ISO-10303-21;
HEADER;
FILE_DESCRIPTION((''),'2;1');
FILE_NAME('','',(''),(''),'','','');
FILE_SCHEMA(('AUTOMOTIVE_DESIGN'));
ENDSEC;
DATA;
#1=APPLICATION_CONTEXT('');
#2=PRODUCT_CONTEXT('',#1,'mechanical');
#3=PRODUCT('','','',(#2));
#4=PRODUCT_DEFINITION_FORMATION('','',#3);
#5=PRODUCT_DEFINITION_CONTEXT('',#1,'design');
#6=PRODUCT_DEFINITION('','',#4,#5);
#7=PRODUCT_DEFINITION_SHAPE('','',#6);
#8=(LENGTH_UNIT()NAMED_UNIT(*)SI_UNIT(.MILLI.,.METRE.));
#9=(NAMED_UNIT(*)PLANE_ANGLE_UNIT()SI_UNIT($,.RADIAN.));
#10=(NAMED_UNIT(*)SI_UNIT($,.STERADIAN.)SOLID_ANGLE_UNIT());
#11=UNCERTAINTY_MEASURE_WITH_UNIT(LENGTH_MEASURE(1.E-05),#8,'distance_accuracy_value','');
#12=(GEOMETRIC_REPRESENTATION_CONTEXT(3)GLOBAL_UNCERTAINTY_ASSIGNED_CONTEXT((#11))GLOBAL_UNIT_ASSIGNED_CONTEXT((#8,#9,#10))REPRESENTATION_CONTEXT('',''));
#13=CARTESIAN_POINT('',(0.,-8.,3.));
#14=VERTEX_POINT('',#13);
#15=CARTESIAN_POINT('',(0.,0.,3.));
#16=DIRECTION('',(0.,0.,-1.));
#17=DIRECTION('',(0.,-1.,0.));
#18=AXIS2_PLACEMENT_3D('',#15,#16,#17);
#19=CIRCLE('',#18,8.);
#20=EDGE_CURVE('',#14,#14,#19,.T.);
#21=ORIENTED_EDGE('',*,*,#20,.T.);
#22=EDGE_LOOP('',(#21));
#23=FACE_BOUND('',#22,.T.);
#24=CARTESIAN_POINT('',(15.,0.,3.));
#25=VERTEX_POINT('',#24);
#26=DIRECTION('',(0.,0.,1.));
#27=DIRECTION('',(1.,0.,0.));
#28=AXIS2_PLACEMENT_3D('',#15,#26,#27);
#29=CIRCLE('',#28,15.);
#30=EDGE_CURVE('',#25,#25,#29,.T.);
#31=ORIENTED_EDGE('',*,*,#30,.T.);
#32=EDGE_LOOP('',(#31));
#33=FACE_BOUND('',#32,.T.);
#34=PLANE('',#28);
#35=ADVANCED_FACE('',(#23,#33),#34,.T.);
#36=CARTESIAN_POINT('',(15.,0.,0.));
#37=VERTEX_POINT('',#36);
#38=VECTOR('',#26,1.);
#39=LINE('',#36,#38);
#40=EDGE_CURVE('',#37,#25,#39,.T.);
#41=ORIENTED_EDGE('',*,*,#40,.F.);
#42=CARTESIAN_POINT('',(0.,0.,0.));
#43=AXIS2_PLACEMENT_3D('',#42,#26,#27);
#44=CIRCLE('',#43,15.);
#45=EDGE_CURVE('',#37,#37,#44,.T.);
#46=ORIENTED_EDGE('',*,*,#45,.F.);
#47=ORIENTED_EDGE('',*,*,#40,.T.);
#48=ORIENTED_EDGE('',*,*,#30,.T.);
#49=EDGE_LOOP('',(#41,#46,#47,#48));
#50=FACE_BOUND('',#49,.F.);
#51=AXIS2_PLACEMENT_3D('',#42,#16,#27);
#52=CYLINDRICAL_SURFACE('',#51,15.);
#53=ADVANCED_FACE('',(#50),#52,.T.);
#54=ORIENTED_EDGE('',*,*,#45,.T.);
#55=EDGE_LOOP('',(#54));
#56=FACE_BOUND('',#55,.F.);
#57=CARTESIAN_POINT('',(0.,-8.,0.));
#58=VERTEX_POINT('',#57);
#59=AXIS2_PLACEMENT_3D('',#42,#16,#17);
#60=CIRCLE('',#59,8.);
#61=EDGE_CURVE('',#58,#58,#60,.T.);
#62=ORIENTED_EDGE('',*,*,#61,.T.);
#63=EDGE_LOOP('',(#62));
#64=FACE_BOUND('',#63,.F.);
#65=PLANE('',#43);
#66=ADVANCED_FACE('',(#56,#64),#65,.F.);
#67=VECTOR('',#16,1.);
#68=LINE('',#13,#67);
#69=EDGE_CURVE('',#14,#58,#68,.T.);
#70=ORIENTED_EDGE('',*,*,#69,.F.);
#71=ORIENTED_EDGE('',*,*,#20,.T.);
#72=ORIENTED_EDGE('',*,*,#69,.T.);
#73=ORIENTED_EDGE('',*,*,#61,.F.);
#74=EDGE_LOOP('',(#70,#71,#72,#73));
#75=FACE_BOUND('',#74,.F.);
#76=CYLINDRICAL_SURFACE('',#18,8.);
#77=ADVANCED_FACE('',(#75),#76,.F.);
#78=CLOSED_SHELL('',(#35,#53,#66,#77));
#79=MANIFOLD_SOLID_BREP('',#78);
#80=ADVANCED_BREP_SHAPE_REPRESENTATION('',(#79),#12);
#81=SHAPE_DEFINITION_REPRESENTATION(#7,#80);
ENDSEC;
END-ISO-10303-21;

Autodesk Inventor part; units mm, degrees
ref_plane "YZ Plane" through (0, 0, 0) normal (1, 0, 0) x (0, 1, 0)
ref_plane "XZ Plane" through (0, 0, 0) normal (0, 1, 0) x (-1, 0, 0)
ref_plane "XY Plane" through (0, 0, 0) normal (0, 0, 1) x (1, 0, 0)
sketch "Sketch1" plane through (0, 0, 0) normal (0, 0, 1) x (1, 0, 0)
  circle A0 centre (0, 0) radius 15
  dimension "d0" = 30
extrude "Extrusion1" add sketch "Sketch1" along normal blind 3
sketch "Sketch2" plane through (0, 0, 3) normal (0, 0, 1) x (1, 0, 0)
  circle A0 centre (0, 0) radius 15 projected
hole "Hole1" at (0, 0, 3) direction (0, 0, -1) diameter 16 end through all
properties part number "PWTR-0138" material "Stainless Steel, 303"
